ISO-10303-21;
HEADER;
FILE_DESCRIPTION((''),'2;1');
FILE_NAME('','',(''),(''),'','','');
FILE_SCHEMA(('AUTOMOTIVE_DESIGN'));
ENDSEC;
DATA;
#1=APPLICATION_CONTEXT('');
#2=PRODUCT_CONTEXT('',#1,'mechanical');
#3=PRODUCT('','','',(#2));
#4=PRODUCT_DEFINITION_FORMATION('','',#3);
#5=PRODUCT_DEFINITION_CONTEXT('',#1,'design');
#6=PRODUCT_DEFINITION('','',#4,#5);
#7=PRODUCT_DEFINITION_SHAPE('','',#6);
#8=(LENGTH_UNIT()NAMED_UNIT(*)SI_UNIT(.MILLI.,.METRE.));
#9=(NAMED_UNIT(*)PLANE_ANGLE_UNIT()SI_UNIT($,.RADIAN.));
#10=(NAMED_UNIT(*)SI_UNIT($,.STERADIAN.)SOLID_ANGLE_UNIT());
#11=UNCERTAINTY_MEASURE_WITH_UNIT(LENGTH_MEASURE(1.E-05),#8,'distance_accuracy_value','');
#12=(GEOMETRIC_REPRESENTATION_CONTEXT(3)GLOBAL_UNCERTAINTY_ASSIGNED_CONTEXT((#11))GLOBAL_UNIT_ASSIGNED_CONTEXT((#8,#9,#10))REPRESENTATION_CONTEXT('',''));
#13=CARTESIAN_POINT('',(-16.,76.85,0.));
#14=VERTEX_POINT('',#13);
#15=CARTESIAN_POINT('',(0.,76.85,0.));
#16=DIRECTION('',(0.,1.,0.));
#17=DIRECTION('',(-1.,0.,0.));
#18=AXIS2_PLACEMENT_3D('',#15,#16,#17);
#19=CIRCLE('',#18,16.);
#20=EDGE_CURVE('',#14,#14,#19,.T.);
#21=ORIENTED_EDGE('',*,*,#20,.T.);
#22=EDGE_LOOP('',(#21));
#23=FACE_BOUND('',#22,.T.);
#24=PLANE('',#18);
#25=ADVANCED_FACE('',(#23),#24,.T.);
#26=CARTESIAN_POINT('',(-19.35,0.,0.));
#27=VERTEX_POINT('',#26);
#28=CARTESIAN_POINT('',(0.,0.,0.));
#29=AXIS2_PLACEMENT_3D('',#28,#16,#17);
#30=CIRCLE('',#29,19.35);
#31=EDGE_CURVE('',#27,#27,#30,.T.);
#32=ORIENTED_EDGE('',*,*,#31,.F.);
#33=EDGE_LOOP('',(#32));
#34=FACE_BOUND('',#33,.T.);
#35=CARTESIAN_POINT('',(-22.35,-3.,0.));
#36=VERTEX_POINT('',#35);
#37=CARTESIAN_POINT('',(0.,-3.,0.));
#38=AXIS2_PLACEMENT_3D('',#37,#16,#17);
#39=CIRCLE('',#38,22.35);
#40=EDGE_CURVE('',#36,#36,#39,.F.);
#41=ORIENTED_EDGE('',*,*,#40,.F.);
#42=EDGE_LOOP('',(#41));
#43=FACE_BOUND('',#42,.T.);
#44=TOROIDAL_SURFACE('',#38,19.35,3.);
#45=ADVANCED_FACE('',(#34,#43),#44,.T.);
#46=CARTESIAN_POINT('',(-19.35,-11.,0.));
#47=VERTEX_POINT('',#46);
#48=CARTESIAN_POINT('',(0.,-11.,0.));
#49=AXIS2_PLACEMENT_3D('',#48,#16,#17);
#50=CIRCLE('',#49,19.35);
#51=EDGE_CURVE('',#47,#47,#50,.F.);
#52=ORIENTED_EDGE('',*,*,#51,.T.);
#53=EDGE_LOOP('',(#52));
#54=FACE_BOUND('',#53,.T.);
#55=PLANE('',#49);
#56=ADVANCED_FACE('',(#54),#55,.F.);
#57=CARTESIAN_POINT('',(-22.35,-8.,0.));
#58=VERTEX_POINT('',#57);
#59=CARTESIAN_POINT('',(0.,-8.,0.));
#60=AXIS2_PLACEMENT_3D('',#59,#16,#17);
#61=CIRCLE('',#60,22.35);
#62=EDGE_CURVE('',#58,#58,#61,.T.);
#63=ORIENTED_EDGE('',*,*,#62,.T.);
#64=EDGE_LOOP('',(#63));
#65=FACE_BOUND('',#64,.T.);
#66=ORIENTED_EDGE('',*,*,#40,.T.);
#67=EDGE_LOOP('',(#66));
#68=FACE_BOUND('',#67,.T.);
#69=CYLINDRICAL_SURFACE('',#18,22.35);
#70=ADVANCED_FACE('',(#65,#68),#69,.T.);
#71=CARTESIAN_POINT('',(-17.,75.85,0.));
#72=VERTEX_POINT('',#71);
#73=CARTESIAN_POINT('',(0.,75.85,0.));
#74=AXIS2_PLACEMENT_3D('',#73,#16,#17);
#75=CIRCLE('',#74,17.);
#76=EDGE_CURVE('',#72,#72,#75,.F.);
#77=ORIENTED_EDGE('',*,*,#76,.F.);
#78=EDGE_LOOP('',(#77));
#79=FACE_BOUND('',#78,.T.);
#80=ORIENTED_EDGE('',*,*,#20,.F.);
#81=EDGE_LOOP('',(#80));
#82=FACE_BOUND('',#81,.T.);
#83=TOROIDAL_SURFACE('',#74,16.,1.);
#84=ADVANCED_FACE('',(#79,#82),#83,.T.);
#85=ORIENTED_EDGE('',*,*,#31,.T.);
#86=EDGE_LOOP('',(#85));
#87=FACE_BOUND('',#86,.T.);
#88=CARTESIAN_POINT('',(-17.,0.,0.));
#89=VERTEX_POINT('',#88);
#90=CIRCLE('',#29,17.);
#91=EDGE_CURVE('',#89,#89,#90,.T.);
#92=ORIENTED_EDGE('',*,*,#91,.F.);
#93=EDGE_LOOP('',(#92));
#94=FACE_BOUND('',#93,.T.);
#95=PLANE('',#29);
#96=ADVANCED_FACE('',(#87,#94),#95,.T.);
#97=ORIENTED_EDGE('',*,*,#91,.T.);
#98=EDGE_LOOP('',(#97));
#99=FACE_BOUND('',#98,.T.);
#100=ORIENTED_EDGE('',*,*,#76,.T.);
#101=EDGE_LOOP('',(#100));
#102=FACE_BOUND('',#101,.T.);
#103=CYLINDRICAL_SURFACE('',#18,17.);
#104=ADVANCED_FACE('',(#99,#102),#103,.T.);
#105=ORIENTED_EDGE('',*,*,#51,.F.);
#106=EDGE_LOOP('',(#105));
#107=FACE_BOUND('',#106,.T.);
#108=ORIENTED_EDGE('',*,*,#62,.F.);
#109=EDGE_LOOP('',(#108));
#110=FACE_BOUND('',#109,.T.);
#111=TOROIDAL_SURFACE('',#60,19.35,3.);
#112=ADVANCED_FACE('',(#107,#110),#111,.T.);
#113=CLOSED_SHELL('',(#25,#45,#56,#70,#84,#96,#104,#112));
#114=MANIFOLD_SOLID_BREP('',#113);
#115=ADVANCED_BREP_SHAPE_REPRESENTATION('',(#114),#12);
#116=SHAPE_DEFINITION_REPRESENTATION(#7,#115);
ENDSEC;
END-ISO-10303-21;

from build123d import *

# Parameters (mm, degrees)
SKETCH_1_W = 17
SKETCH_1_H = 76.85
FILLET_1_R = 3
FILLET_2_R = 1


with BuildPart() as part:
    # 草图1 → 旋转1 (revolve)
    with BuildSketch(Plane.XY):
        with Locations((-8.5, 38.425)):
            Rectangle(SKETCH_1_W, SKETCH_1_H)
        Polygon((0, -11), (0, 0), (-17, 0), (-22.35, 0), (-22.35, -11), align=None)
    revolve(axis=Axis((0, 76.85, 0), (0, -1, 0)))

    # 圆角1
    fillet_1_edges = [part.edges().sort_by_distance(p)[0] for p in [
        (22.35, -11, 0),
        (22.35, 0, 0),
    ]]
    fillet(fillet_1_edges, radius=FILLET_1_R)

    # 圆角2
    fillet_2_edges = [part.edges().sort_by_distance(p)[0] for p in [
        (17, 76.85, 0),
    ]]
    fillet(fillet_2_edges, radius=FILLET_2_R)


solid = part.part
